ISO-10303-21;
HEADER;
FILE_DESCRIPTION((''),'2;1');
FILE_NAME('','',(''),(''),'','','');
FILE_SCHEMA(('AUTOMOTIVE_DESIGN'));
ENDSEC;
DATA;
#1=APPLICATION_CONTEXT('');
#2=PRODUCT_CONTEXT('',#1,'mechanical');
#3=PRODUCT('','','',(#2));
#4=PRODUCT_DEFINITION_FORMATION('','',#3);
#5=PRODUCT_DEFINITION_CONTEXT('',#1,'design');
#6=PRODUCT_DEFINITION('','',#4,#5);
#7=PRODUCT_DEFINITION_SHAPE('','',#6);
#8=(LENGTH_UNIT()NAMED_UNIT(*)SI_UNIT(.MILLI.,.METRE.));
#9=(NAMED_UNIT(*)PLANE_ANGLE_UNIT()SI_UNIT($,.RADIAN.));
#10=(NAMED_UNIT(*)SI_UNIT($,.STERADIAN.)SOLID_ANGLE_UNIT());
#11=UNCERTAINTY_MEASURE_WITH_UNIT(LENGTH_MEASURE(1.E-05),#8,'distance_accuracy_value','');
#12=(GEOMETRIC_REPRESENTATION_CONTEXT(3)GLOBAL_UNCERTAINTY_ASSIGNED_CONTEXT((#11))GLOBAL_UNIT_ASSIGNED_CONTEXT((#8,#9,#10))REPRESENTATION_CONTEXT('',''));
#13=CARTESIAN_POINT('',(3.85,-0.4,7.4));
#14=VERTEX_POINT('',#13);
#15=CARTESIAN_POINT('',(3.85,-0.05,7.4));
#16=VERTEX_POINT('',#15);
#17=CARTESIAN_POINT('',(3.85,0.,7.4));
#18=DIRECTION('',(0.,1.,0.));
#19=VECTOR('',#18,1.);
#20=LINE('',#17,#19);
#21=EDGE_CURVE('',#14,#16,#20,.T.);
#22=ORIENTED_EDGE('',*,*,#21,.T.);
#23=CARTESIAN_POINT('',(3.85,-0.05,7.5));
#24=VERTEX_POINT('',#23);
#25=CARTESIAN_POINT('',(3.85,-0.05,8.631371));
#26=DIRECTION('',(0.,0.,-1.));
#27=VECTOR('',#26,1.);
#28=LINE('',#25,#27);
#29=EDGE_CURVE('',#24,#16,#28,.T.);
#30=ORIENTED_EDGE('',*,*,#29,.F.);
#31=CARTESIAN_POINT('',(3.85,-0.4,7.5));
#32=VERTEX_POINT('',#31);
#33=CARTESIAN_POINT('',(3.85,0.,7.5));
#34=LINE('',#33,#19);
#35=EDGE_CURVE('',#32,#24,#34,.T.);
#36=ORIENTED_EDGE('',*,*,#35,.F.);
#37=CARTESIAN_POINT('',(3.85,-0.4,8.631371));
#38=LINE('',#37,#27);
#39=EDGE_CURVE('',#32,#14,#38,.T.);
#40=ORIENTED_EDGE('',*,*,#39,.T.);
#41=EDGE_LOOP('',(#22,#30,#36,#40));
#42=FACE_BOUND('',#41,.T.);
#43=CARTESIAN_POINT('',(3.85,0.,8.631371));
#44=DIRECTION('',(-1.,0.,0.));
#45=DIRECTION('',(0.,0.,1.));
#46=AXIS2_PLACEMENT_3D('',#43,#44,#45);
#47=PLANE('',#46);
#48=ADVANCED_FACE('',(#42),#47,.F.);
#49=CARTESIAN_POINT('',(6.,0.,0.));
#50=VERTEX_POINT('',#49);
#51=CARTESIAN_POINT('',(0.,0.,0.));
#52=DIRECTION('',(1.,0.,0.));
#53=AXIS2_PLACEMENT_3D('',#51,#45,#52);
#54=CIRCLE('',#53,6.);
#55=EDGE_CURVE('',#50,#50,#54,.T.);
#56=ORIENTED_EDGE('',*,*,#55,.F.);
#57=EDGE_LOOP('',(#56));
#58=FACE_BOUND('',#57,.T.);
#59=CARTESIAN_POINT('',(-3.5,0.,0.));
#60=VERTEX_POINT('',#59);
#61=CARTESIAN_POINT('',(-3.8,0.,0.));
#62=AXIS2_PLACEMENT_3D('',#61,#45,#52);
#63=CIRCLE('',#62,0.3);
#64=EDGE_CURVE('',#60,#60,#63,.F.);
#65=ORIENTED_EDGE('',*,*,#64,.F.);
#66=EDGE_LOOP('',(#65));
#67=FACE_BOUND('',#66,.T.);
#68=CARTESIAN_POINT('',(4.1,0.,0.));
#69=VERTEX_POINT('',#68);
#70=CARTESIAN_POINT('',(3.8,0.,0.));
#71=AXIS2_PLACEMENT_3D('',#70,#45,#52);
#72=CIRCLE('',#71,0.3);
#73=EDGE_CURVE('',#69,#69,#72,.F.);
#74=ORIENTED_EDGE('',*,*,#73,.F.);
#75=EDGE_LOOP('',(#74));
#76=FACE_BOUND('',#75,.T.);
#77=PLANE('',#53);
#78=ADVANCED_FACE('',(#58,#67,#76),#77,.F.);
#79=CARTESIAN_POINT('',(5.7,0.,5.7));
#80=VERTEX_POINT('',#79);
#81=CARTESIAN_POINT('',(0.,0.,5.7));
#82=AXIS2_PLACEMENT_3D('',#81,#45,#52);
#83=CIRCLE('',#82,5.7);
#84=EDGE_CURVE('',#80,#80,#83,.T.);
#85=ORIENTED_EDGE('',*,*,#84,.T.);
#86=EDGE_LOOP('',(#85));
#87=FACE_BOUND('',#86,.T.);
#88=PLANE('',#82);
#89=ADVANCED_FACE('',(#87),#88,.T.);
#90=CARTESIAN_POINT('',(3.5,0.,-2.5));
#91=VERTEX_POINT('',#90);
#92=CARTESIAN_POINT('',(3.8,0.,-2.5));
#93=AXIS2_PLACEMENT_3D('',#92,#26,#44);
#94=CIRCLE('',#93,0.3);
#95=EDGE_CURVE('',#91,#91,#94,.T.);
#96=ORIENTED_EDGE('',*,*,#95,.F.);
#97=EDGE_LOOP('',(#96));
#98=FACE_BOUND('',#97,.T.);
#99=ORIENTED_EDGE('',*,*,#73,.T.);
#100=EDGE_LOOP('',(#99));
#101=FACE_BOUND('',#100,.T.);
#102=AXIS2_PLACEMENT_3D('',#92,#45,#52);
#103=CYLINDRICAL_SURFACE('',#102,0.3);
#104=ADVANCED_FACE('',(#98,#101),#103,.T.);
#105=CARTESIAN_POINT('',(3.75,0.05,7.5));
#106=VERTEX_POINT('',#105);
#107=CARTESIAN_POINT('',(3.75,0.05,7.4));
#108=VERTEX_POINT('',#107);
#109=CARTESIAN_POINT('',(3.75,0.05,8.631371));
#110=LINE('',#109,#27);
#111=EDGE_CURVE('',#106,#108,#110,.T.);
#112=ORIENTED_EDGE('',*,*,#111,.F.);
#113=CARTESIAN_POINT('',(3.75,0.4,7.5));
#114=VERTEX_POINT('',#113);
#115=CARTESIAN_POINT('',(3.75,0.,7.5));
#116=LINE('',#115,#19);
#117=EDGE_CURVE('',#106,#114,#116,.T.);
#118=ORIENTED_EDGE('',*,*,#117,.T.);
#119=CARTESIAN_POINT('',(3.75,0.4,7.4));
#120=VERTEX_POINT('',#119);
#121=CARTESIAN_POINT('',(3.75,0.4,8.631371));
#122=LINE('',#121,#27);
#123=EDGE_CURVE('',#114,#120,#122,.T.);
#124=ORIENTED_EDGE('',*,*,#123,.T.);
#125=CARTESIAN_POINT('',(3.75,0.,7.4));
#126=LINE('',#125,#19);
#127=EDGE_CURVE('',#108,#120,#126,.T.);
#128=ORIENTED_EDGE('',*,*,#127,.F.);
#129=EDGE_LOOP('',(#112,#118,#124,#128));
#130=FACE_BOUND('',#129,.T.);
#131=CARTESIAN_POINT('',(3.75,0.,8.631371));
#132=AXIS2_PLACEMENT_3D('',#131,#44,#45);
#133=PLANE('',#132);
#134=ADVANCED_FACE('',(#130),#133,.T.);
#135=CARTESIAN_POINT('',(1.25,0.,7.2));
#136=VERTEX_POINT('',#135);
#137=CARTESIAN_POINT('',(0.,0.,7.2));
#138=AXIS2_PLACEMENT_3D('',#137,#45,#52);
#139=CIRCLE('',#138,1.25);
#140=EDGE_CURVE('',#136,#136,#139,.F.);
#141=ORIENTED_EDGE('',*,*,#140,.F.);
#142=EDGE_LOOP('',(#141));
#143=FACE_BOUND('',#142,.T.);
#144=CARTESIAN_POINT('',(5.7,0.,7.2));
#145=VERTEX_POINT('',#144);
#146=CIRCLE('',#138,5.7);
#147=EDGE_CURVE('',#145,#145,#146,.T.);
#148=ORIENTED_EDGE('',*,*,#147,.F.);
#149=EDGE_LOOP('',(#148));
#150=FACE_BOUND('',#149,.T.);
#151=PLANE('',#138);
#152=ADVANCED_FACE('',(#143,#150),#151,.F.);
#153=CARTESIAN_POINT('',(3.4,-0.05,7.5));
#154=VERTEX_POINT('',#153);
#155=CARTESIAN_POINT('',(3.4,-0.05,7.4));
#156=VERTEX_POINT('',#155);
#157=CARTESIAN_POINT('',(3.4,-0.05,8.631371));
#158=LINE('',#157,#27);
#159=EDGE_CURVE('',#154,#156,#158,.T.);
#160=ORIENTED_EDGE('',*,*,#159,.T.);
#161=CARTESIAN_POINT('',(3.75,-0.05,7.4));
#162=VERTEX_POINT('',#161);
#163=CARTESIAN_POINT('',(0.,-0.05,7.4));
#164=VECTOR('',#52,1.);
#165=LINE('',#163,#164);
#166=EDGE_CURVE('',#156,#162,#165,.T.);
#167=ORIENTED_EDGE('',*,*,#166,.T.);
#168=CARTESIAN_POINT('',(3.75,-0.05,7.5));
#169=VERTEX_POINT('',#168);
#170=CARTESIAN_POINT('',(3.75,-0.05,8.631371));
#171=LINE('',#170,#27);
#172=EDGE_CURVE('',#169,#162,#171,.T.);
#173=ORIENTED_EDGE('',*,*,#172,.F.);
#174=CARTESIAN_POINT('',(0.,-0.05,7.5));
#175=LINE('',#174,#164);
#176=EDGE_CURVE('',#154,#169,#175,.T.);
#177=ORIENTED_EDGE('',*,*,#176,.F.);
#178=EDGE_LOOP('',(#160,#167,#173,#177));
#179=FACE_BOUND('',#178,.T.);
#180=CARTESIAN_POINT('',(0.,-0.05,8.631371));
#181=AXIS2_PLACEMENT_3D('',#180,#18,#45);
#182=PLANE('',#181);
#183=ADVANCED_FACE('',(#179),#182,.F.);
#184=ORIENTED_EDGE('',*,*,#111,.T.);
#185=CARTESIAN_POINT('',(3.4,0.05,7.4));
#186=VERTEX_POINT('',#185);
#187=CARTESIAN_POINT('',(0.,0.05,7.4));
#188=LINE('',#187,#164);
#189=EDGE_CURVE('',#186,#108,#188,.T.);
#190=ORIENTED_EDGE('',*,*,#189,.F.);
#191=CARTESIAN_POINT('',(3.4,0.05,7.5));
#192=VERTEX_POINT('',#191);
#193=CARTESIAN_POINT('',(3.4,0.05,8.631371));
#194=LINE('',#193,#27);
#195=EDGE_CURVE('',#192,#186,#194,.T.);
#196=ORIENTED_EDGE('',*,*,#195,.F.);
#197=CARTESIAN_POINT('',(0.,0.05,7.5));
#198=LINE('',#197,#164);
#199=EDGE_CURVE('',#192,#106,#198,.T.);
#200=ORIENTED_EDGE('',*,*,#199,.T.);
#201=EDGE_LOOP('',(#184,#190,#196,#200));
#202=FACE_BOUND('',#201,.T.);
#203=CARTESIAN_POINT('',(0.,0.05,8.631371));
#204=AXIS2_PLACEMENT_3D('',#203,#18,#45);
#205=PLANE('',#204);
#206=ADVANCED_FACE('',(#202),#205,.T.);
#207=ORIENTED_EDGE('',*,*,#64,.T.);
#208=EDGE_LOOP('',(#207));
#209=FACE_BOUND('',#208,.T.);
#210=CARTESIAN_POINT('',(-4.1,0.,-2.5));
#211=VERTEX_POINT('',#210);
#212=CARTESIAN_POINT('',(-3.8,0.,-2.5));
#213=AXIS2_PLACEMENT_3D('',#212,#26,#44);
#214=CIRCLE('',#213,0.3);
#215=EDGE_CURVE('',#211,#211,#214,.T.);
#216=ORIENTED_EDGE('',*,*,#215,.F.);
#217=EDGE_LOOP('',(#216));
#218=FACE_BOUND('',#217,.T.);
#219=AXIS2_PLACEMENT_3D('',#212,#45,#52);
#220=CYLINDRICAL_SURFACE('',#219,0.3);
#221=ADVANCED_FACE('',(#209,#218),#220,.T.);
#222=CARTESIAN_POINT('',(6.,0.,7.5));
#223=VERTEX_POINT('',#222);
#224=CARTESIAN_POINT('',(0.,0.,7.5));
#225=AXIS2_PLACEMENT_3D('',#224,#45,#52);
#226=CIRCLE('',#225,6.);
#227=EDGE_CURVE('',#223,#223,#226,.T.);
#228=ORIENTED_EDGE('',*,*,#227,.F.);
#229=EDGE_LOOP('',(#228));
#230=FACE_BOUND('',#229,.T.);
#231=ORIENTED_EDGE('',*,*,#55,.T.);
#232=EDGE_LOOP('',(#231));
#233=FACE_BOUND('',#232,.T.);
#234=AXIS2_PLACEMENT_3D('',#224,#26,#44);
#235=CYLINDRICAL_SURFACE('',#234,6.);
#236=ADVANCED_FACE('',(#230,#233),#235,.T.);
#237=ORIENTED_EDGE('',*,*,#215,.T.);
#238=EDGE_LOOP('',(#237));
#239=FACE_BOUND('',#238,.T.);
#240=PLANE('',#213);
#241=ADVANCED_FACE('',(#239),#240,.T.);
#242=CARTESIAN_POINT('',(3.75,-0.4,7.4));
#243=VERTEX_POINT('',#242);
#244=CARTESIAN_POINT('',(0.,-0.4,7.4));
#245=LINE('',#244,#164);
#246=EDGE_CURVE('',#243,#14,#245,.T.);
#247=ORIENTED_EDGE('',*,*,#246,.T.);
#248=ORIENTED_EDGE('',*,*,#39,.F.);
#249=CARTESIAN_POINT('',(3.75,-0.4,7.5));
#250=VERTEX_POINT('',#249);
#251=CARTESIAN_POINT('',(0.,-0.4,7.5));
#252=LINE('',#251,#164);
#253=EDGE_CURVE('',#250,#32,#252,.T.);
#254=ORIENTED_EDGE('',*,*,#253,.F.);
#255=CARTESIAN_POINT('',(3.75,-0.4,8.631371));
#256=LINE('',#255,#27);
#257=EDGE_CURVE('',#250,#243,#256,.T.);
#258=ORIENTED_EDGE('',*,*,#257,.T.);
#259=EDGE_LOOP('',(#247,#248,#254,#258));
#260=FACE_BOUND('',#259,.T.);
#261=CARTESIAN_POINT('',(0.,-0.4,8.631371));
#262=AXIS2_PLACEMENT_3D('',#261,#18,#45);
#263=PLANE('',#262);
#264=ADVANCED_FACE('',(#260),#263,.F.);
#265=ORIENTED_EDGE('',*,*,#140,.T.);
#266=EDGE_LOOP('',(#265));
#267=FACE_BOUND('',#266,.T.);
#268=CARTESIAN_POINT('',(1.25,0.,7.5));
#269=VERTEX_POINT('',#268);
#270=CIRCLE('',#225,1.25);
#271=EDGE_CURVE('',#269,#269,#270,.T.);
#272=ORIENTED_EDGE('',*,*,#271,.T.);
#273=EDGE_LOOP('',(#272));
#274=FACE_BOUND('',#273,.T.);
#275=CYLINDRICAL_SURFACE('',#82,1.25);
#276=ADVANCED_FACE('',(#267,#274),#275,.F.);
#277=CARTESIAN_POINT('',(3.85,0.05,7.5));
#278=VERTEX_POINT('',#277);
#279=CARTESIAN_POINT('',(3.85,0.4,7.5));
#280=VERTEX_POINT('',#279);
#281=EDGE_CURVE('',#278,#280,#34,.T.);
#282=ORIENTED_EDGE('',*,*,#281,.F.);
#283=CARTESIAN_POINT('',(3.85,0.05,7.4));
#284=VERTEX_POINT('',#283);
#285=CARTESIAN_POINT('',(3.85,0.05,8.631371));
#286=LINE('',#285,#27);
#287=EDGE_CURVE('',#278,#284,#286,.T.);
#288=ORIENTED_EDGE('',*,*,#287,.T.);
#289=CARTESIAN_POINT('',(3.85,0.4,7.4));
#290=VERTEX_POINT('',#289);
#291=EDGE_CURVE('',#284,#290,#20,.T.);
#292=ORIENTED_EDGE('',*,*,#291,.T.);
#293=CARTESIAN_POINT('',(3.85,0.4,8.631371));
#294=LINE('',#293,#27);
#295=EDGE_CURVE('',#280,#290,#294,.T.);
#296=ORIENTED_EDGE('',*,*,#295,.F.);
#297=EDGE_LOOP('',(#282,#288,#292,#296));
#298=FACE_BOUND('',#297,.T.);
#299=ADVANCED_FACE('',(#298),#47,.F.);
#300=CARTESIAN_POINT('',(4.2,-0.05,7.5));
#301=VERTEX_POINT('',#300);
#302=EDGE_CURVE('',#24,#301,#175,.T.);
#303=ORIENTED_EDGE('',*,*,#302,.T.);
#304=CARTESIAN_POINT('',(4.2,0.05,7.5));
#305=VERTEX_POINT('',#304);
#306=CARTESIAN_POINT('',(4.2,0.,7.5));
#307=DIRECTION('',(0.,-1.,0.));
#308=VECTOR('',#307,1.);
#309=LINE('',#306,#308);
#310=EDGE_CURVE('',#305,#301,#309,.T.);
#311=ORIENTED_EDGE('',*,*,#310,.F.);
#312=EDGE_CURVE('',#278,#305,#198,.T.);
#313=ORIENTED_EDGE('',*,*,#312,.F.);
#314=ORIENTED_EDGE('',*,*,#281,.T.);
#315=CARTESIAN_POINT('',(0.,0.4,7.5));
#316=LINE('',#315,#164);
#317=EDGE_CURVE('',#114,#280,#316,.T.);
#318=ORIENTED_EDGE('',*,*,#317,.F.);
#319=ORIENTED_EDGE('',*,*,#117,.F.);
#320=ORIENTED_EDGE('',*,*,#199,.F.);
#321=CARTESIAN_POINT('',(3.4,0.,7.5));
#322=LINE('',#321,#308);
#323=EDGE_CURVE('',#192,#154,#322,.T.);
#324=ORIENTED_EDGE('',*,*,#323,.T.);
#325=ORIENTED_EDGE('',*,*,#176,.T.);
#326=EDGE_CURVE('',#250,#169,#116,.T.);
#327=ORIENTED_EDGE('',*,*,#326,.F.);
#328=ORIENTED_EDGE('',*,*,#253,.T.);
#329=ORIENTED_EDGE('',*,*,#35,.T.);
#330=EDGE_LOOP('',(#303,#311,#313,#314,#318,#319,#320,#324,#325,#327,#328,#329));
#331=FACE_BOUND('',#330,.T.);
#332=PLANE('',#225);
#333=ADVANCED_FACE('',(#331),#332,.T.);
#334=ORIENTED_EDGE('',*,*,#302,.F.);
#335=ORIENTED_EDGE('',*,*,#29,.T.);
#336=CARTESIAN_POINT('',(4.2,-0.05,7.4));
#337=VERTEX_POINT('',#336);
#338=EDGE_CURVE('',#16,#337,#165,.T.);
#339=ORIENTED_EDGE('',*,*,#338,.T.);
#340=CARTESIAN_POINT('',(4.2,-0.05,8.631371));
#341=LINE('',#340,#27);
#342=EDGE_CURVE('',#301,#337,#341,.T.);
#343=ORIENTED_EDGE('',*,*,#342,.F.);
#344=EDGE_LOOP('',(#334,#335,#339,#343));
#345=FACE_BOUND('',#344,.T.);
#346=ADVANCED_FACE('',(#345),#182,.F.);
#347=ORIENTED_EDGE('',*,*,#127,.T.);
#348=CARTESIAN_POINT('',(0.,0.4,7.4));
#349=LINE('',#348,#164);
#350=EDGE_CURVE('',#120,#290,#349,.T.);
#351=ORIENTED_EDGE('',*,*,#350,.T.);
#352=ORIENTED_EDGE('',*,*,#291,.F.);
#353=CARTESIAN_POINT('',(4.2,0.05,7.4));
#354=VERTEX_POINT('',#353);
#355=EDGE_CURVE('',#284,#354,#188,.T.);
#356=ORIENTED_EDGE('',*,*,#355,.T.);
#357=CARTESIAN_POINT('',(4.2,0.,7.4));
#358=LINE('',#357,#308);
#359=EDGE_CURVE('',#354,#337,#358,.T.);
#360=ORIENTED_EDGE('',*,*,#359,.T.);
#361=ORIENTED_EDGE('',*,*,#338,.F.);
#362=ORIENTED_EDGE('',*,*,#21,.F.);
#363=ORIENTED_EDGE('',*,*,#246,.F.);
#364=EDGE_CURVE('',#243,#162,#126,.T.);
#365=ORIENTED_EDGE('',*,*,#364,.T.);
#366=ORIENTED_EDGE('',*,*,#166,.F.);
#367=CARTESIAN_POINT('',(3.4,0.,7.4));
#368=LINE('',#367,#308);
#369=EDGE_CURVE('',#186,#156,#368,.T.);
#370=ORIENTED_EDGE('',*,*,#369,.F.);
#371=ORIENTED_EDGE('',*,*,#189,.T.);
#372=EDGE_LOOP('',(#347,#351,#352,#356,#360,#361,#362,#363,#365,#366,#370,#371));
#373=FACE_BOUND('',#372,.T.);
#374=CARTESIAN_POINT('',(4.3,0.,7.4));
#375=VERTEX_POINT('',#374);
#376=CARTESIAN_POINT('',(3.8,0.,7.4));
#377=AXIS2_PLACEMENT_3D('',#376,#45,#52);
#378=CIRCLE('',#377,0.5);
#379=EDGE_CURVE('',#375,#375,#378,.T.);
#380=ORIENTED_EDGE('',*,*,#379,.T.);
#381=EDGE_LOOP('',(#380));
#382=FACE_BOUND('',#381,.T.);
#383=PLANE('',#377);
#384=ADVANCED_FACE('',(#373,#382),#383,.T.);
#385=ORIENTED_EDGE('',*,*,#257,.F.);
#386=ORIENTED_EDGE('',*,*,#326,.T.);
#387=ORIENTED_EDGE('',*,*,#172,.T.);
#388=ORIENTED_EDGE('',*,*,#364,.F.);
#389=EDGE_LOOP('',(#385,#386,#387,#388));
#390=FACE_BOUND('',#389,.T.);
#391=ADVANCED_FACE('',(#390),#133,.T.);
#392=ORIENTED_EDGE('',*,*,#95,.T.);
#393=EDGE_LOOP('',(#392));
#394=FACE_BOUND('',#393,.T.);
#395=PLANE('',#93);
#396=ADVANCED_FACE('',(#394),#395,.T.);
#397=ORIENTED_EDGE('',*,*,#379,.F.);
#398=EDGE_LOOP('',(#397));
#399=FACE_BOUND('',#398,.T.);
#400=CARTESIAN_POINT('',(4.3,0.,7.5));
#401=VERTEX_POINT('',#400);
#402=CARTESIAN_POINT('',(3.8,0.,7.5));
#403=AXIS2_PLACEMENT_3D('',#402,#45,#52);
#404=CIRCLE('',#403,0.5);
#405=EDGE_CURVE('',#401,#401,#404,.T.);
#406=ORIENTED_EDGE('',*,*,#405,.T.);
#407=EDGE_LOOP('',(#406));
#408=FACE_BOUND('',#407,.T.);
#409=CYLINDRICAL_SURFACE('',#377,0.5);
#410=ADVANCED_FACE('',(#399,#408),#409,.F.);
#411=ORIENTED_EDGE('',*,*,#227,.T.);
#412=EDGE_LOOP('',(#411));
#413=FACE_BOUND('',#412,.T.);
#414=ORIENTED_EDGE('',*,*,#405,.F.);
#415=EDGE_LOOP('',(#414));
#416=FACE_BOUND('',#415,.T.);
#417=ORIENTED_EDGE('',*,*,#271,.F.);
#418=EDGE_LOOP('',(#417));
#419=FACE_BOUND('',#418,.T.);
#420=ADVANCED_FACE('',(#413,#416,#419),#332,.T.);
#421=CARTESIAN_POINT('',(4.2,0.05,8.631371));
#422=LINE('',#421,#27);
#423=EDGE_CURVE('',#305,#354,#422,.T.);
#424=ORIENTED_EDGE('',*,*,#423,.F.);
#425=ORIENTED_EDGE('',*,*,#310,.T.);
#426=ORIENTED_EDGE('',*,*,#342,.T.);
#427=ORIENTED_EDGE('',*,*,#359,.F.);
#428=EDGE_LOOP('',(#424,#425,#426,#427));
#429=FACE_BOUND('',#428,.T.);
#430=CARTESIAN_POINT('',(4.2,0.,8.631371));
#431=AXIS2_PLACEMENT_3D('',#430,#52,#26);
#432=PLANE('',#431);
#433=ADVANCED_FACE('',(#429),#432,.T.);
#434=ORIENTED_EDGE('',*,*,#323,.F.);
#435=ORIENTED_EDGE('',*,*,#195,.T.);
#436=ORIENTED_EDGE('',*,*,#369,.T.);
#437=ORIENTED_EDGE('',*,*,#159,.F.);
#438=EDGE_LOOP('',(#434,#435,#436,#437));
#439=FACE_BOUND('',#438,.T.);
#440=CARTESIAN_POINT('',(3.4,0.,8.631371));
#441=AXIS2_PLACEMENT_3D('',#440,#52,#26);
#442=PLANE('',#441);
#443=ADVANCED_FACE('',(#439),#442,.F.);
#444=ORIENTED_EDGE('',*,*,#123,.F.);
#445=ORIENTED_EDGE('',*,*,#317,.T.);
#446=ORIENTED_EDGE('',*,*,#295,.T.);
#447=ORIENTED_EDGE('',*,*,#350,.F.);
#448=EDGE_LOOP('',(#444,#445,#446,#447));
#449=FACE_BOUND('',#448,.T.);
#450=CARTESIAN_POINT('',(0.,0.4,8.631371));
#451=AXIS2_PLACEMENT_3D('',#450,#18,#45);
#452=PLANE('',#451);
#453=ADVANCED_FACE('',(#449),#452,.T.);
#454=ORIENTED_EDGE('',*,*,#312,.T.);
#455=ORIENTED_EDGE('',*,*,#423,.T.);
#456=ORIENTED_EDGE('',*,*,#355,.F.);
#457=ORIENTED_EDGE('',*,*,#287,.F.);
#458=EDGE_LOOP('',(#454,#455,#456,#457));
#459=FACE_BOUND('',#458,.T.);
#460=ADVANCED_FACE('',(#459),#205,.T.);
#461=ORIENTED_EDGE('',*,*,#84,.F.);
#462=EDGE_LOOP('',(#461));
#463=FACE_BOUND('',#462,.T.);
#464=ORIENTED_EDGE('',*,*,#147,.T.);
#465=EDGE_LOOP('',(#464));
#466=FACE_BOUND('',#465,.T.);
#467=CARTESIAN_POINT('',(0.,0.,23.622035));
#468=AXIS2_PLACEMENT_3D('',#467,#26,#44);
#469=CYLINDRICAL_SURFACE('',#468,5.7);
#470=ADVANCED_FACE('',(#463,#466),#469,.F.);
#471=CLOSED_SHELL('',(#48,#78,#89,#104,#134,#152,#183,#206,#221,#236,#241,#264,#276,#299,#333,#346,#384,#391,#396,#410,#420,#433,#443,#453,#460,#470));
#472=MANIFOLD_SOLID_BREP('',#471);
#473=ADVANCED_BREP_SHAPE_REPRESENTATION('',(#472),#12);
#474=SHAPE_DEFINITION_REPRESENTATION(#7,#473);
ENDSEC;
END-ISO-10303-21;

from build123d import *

# Parameters (mm, degrees)
SKETCH1_R           = 6
BOSS_EXTRUDE1_DEPTH = 7.5
SKETCH2_R           = 0.3
BOSS_EXTRUDE2_DEPTH = 2.5
SKETCH3_R           = 1.25
CUT_EXTRUDE1_DEPTH  = 1.8
SKETCH4_R           = 5.7
CUT_EXTRUDE2_DEPTH  = 1.5
SKETCH5_R           = 0.5
CUT_EXTRUDE3_DEPTH  = 0.1
SKETCH6_W           = 0.35
SKETCH6_H           = 0.1
SKETCH6_W_2         = 0.1
SKETCH6_H_2         = 0.35
BOSS_EXTRUDE3_DEPTH = 0.1


with BuildPart() as part:
    # Sketch1 → Boss-Extrude1 (new body)
    with BuildSketch(Plane.XY):
        Circle(SKETCH1_R)
    extrude(amount=BOSS_EXTRUDE1_DEPTH)

    # Sketch2 → Boss-Extrude2 (add)
    with BuildSketch(Plane(origin=(0, 0, 0), x_dir=(-1, 0, 0), z_dir=(0, 0, -1))):
        with Locations(Location((3.8, 0, 0), (0, 0, 180))):
            Circle(SKETCH2_R)
        with Locations(Location((-3.8, 0, 0), (0, 0, 180))):
            Circle(SKETCH2_R)
    extrude(amount=BOSS_EXTRUDE2_DEPTH)

    # Sketch3 → Cut-Extrude1 (cut)
    with BuildSketch(Plane.XY.offset(7.5)):
        Circle(SKETCH3_R)
    extrude(amount=-CUT_EXTRUDE1_DEPTH, mode=Mode.SUBTRACT)

    # Sketch4 → Cut-Extrude2 (cut)
    with BuildSketch(Plane.XY.offset(5.7)):
        Circle(SKETCH4_R)
    extrude(amount=CUT_EXTRUDE2_DEPTH, mode=Mode.SUBTRACT)

    # Sketch5 → Cut-Extrude3 (cut)
    with BuildSketch(Plane.XY.offset(7.5)):
        with Locations((3.8, 0)):
            Circle(SKETCH5_R)
    extrude(amount=-CUT_EXTRUDE3_DEPTH, mode=Mode.SUBTRACT)

    # Sketch6 → Boss-Extrude3 (add)
    with BuildSketch(Plane.XY.offset(7.4)):
        with Locations((4.025, 0)):
            Rectangle(SKETCH6_W, SKETCH6_H)
        with Locations((3.575, 0)):
            Rectangle(SKETCH6_W, SKETCH6_H)
        with Locations((3.8, 0.225)):
            Rectangle(SKETCH6_W_2, SKETCH6_H_2)
        with Locations((3.8, -0.225)):
            Rectangle(SKETCH6_W_2, SKETCH6_H_2)
        with Locations((3.8, 0)):
            Rectangle(SKETCH6_W_2, SKETCH6_H)
    extrude(amount=BOSS_EXTRUDE3_DEPTH)


solid = part.part
